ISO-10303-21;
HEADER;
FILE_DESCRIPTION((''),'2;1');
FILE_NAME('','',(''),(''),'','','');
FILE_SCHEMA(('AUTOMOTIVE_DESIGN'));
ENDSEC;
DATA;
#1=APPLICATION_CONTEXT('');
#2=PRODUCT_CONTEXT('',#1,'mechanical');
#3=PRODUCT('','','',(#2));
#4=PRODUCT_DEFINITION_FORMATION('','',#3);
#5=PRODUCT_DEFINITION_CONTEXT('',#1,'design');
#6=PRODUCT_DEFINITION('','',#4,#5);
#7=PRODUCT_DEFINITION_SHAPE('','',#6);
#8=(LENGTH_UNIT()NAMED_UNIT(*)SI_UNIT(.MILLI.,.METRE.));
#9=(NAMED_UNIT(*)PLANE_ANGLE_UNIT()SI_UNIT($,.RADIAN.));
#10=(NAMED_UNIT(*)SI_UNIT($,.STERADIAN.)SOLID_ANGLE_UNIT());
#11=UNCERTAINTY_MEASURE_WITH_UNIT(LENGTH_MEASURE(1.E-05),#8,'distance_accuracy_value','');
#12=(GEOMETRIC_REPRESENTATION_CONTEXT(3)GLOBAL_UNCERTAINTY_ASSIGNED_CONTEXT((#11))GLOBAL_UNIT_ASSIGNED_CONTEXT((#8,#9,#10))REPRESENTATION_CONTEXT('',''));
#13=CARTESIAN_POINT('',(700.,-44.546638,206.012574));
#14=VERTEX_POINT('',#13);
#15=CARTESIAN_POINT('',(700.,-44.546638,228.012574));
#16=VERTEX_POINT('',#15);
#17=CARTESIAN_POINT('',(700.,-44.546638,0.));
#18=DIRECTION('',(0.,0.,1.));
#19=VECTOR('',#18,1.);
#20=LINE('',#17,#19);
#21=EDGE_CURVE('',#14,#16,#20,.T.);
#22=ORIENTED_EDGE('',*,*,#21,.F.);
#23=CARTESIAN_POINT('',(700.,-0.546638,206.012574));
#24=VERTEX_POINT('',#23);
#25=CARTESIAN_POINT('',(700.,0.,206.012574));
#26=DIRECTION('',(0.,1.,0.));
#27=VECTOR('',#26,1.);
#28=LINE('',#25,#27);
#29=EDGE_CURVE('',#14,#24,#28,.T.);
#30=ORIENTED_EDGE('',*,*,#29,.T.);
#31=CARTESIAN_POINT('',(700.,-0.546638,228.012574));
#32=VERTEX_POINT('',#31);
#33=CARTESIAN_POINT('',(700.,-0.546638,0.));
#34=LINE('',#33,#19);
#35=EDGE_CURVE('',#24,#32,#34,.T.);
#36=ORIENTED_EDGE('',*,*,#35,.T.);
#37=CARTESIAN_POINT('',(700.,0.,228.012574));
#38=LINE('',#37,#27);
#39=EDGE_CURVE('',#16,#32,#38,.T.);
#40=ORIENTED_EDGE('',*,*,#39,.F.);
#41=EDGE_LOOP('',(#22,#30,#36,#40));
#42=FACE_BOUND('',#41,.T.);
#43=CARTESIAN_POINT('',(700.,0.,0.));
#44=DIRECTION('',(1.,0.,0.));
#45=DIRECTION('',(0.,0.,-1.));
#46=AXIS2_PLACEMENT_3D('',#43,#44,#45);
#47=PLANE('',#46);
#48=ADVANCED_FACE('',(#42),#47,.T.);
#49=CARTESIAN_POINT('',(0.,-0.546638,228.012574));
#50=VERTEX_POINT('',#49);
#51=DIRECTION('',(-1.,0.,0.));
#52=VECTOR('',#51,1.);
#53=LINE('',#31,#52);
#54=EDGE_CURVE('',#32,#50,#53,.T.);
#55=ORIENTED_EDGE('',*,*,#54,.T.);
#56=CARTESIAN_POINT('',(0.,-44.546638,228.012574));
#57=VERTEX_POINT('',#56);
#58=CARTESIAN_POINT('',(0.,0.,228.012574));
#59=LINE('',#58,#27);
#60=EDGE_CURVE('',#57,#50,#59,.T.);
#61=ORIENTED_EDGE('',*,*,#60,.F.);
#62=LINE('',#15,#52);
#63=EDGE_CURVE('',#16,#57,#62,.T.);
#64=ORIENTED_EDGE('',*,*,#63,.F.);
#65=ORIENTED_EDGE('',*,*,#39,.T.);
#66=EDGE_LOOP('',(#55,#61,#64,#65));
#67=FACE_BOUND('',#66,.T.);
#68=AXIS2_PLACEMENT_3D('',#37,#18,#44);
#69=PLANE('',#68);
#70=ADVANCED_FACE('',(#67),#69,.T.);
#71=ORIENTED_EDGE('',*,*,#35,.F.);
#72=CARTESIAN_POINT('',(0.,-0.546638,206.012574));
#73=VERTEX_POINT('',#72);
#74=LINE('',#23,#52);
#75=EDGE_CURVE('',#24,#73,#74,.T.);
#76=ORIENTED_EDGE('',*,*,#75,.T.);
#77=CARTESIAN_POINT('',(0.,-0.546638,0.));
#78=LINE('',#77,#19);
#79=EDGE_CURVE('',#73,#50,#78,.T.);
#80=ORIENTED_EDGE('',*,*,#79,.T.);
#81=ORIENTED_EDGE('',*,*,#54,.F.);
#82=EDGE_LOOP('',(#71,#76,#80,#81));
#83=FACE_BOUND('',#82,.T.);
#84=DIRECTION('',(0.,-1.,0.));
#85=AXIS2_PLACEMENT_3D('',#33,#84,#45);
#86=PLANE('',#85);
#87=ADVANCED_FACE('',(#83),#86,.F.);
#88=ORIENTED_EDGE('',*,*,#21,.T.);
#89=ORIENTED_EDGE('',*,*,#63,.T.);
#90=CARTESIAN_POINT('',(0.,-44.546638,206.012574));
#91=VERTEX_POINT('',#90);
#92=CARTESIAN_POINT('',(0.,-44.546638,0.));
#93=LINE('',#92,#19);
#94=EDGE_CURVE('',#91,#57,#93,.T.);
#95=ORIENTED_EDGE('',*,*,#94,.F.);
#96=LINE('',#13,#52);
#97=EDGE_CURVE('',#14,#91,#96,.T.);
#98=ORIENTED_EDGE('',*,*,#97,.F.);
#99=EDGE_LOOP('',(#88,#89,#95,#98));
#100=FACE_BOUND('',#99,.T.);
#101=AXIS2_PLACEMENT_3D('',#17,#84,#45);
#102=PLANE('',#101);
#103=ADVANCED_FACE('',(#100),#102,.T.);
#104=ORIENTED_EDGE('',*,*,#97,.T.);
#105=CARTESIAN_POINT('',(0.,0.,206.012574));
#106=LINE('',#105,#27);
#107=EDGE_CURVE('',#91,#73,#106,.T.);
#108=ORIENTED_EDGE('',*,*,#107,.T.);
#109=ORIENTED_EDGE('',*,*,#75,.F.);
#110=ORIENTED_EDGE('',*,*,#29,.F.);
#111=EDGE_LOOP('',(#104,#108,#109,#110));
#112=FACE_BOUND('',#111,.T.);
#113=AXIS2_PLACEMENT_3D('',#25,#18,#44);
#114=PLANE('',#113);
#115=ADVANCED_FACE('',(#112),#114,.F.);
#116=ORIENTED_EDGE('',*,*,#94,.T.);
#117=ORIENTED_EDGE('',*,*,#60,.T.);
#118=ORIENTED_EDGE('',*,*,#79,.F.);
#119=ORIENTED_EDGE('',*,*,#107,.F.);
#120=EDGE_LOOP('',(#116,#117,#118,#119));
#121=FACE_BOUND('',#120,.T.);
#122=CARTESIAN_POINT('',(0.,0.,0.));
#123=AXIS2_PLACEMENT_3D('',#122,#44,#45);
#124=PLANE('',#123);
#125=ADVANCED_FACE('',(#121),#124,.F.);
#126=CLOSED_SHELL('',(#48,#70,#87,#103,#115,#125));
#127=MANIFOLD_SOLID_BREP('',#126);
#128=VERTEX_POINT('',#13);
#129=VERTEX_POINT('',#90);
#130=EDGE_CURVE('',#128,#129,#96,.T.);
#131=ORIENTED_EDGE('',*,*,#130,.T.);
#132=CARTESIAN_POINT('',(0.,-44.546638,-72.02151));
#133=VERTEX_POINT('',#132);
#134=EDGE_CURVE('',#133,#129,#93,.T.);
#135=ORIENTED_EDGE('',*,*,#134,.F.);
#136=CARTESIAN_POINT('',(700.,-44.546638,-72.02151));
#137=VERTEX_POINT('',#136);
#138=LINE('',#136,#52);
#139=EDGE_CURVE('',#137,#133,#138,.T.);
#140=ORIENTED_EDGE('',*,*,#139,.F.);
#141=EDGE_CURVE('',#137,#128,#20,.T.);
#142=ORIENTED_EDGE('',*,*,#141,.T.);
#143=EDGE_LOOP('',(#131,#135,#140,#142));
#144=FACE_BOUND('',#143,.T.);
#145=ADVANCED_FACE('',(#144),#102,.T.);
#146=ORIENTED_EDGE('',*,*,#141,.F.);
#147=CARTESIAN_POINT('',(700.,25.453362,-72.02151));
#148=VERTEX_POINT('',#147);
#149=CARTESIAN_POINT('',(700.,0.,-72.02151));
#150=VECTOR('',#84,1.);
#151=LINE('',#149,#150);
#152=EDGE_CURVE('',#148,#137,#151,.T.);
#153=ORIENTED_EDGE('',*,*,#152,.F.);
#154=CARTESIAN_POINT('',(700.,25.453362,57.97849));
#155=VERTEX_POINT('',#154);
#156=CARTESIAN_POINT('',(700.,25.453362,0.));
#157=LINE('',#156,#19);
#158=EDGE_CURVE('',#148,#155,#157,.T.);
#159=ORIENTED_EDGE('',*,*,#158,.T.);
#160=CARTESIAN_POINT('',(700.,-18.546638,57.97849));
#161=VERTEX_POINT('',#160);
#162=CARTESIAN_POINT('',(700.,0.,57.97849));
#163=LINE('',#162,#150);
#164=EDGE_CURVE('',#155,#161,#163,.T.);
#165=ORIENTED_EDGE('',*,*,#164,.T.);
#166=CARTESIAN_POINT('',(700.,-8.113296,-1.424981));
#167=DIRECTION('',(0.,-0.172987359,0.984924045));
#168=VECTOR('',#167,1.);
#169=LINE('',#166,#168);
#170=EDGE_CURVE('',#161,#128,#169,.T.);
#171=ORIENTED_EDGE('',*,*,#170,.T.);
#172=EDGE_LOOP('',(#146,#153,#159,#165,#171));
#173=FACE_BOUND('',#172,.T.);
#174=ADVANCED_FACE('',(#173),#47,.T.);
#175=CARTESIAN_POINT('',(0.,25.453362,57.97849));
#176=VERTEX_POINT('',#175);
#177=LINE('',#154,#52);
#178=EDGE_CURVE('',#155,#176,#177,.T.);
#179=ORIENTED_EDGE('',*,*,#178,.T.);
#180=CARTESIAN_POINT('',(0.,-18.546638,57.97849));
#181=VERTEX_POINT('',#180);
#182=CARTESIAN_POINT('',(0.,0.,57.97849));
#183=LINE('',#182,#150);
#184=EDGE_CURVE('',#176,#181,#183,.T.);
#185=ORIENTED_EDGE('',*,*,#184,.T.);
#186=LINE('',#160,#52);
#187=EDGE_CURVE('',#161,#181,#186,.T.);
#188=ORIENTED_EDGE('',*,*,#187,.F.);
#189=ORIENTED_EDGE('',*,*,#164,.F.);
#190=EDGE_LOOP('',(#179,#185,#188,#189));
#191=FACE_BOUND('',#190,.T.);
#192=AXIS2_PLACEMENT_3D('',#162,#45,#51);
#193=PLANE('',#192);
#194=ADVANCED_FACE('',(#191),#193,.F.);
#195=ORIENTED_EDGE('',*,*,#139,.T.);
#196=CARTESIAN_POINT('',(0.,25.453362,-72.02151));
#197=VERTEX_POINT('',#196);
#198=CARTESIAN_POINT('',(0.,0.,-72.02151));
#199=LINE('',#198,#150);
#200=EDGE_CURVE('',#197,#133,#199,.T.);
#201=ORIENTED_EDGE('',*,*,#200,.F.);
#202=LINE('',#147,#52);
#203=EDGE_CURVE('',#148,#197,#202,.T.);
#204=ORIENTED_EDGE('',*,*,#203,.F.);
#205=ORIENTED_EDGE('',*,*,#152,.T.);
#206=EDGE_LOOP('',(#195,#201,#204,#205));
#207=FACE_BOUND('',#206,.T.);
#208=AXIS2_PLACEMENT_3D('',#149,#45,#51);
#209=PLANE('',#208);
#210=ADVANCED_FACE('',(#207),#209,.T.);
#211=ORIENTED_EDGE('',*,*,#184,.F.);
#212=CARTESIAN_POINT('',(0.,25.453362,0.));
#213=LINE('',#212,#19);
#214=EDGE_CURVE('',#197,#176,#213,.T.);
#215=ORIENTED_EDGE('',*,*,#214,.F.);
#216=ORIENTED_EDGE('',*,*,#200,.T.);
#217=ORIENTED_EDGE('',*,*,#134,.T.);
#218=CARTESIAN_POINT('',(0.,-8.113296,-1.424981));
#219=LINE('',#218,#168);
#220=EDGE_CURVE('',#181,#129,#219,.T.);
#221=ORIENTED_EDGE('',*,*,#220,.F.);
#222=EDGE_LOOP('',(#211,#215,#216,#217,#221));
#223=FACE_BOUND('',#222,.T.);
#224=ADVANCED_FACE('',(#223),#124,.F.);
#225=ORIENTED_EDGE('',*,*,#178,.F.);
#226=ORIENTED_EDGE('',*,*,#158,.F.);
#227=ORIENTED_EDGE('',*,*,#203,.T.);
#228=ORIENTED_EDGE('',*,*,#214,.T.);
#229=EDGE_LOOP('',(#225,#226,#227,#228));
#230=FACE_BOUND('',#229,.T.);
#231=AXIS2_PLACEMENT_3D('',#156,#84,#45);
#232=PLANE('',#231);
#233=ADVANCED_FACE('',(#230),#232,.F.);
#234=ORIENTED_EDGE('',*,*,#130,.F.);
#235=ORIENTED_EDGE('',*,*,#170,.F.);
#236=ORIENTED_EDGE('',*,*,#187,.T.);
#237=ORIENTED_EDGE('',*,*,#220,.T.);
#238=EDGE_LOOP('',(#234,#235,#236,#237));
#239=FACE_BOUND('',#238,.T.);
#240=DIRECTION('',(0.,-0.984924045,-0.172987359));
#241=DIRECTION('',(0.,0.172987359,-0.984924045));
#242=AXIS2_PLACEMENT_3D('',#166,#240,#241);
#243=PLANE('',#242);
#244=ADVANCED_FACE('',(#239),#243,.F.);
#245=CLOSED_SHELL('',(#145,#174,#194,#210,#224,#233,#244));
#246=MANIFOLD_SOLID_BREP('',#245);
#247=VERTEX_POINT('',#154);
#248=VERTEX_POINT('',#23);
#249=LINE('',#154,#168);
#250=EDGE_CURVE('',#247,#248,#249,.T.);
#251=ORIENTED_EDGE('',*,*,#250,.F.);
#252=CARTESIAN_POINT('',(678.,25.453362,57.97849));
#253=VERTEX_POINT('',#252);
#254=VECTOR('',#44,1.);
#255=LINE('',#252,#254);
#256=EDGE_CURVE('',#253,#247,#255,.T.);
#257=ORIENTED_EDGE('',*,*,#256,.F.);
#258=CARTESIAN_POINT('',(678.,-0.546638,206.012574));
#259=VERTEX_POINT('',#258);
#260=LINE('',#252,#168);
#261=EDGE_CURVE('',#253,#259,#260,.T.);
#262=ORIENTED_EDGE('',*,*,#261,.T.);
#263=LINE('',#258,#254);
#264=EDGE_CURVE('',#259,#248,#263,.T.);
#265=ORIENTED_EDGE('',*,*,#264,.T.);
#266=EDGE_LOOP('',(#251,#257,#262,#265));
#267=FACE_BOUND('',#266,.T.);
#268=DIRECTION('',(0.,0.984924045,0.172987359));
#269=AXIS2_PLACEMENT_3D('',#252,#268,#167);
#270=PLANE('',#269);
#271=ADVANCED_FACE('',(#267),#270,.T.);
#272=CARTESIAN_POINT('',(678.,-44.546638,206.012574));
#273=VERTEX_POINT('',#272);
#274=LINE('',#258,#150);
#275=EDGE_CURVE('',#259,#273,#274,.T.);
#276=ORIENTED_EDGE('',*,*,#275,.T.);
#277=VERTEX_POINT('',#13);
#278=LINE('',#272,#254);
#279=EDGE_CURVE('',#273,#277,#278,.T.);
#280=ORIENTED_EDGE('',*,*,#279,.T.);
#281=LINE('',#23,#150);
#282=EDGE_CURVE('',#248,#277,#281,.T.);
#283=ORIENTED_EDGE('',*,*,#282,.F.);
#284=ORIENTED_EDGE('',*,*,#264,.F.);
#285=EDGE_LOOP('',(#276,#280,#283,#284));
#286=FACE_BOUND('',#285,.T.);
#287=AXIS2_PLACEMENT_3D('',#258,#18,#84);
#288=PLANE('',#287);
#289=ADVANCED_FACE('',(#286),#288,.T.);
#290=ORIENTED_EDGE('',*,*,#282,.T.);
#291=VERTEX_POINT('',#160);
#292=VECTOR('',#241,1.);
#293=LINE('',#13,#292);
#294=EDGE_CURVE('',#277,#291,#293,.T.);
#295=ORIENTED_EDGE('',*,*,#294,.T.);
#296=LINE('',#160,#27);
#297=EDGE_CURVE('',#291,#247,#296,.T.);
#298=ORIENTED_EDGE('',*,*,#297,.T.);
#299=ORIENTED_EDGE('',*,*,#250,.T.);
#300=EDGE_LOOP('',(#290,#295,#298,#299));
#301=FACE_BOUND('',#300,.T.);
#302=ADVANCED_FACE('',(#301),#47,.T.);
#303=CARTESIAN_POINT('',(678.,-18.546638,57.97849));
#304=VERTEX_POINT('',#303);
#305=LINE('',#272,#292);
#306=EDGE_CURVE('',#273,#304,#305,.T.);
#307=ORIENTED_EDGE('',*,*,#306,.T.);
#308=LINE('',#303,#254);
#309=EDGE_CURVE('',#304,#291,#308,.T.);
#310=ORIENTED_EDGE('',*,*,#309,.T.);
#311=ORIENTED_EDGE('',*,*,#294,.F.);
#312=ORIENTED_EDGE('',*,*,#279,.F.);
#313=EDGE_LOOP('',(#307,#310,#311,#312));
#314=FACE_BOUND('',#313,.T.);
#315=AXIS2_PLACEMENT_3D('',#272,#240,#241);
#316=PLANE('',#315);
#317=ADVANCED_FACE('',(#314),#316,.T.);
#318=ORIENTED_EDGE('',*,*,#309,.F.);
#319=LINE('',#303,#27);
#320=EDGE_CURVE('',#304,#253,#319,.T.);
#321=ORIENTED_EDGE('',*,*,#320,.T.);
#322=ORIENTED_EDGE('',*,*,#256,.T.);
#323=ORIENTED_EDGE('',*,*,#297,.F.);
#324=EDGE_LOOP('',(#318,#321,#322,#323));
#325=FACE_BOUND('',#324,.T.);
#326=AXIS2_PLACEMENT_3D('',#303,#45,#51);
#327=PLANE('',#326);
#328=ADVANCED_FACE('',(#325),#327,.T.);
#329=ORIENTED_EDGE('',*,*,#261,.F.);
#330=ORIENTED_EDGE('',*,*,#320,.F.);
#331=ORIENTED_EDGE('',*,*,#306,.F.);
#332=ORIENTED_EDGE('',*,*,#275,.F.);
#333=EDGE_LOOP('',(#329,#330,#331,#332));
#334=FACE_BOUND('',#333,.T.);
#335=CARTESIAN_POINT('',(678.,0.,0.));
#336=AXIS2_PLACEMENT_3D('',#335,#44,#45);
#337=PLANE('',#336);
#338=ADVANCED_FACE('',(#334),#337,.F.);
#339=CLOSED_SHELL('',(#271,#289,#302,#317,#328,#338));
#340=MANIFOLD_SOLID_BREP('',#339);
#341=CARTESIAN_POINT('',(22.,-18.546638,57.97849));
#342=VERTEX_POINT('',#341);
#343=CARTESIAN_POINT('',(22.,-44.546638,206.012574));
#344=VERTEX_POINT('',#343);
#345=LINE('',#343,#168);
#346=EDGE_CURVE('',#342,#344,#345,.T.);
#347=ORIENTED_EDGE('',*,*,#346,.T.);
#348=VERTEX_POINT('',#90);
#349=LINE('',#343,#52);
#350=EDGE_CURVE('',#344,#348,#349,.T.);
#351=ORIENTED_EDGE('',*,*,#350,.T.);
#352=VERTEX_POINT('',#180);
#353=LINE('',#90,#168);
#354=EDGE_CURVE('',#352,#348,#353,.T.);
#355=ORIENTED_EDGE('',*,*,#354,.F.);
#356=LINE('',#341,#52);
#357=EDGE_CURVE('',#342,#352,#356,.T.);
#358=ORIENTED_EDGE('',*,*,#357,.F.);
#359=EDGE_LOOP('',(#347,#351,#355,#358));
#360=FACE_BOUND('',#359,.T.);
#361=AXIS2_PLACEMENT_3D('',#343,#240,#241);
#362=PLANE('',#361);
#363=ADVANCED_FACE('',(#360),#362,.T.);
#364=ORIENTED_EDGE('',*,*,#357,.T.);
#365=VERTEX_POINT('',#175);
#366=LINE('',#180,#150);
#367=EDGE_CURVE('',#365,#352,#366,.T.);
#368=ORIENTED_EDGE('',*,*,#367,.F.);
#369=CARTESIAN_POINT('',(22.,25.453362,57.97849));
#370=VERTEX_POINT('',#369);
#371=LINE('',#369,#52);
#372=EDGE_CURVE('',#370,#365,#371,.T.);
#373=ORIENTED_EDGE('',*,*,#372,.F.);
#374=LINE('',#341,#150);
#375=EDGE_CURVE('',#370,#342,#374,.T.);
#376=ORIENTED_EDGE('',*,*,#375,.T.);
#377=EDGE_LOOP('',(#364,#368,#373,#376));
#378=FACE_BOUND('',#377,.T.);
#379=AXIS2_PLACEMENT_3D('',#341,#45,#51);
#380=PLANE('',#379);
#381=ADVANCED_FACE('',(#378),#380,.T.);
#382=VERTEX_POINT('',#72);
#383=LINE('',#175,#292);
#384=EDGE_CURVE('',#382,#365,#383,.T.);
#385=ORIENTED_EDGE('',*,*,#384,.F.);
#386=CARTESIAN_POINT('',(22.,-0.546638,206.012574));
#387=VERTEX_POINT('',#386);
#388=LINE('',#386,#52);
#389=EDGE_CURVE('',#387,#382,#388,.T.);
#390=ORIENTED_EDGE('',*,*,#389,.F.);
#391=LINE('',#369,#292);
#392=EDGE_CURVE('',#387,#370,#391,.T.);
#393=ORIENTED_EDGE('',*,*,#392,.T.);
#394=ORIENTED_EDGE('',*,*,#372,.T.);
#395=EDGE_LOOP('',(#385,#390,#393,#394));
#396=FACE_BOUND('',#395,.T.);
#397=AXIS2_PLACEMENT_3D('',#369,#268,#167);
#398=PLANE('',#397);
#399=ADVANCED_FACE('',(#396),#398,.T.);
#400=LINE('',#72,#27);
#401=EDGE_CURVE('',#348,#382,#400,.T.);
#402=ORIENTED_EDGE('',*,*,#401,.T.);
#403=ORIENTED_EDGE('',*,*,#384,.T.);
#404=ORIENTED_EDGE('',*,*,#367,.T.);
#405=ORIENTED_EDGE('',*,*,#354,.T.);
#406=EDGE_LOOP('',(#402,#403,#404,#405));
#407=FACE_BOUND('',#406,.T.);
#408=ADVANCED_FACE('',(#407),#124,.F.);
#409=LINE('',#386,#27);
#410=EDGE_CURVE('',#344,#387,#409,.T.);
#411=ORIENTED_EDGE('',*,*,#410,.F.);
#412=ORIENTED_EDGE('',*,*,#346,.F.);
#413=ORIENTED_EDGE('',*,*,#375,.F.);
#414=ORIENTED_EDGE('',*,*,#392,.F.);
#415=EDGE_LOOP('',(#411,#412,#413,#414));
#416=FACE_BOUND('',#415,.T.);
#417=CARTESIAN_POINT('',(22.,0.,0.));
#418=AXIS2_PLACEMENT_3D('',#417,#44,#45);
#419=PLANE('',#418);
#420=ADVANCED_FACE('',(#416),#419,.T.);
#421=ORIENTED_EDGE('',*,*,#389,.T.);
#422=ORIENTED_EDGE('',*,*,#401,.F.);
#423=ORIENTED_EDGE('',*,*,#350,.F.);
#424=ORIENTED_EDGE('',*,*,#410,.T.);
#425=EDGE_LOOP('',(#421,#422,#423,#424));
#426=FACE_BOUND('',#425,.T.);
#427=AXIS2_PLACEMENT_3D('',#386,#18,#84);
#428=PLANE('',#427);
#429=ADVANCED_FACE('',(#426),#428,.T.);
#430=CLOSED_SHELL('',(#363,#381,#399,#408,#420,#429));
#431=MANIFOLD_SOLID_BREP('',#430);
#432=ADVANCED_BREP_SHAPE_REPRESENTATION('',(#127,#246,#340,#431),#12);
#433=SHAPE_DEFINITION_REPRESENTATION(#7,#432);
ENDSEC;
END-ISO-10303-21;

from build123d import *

# Parameters (mm, degrees)
ESQUISSE1_W        = 130
ESQUISSE1_H        = 22
ESQUISSE1_W_2      = 22
BOSS_EXTRU_1_DEPTH = 700
BOSS_EXTRU_5_DEPTH = 22
BOSS_EXTRU_7_DEPTH = 22


with BuildPart() as part:
    # Esquisse1 → Boss.-Extru.1 (new body)
    with BuildSketch(Plane(origin=(0, 0, 0), x_dir=(0, 0, -1), z_dir=(1, 0, 0))):
        with Locations((7.021510311, 14.453362141)):
            Rectangle(ESQUISSE1_W, ESQUISSE1_H)
        Polygon((-57.978489689, 3.453362141), (-57.978489689, -18.546637859), (-57.978489689, -44.546637859), (72.021510311, -44.546637859), (72.021510311, 3.453362141), align=None)
        Polygon((-57.978489689, -44.546637859), (-57.978489689, -18.546637859), (-206.012573602, -44.546637859), align=None)
        with Locations((-217.012573602, -33.546637859)):
            Rectangle(ESQUISSE1_W_2, ESQUISSE1_H)
        with Locations((-217.012573602, -11.546637859)):
            Rectangle(ESQUISSE1_W_2, ESQUISSE1_H)
    extrude(amount=BOSS_EXTRU_1_DEPTH)


with BuildPart() as body_2:
    # Esquisse2 → Boss.-Extru.5 (new body)
    with BuildSketch(Plane(origin=(700, 0, 0), x_dir=(0, 0, -1), z_dir=(1, 0, 0))):
        Polygon((-57.978489689, 25.453362141), (-206.012573602, -0.546637859), (-206.012573602, -44.546637859), (-57.978489689, -18.546637859), align=None)
    extrude(amount=-BOSS_EXTRU_5_DEPTH)


with BuildPart() as body_3:
    # Esquisse3 → Boss.-Extru.7 (new body)
    with BuildSketch(Plane.ZY):
        Polygon((57.978489689, 25.453362141), (206.012573602, -0.546637859), (206.012573602, -44.546637859), (57.978489689, -18.546637859), align=None)
    extrude(amount=-BOSS_EXTRU_7_DEPTH)


solid = Compound([part.part, body_2.part, body_3.part])
